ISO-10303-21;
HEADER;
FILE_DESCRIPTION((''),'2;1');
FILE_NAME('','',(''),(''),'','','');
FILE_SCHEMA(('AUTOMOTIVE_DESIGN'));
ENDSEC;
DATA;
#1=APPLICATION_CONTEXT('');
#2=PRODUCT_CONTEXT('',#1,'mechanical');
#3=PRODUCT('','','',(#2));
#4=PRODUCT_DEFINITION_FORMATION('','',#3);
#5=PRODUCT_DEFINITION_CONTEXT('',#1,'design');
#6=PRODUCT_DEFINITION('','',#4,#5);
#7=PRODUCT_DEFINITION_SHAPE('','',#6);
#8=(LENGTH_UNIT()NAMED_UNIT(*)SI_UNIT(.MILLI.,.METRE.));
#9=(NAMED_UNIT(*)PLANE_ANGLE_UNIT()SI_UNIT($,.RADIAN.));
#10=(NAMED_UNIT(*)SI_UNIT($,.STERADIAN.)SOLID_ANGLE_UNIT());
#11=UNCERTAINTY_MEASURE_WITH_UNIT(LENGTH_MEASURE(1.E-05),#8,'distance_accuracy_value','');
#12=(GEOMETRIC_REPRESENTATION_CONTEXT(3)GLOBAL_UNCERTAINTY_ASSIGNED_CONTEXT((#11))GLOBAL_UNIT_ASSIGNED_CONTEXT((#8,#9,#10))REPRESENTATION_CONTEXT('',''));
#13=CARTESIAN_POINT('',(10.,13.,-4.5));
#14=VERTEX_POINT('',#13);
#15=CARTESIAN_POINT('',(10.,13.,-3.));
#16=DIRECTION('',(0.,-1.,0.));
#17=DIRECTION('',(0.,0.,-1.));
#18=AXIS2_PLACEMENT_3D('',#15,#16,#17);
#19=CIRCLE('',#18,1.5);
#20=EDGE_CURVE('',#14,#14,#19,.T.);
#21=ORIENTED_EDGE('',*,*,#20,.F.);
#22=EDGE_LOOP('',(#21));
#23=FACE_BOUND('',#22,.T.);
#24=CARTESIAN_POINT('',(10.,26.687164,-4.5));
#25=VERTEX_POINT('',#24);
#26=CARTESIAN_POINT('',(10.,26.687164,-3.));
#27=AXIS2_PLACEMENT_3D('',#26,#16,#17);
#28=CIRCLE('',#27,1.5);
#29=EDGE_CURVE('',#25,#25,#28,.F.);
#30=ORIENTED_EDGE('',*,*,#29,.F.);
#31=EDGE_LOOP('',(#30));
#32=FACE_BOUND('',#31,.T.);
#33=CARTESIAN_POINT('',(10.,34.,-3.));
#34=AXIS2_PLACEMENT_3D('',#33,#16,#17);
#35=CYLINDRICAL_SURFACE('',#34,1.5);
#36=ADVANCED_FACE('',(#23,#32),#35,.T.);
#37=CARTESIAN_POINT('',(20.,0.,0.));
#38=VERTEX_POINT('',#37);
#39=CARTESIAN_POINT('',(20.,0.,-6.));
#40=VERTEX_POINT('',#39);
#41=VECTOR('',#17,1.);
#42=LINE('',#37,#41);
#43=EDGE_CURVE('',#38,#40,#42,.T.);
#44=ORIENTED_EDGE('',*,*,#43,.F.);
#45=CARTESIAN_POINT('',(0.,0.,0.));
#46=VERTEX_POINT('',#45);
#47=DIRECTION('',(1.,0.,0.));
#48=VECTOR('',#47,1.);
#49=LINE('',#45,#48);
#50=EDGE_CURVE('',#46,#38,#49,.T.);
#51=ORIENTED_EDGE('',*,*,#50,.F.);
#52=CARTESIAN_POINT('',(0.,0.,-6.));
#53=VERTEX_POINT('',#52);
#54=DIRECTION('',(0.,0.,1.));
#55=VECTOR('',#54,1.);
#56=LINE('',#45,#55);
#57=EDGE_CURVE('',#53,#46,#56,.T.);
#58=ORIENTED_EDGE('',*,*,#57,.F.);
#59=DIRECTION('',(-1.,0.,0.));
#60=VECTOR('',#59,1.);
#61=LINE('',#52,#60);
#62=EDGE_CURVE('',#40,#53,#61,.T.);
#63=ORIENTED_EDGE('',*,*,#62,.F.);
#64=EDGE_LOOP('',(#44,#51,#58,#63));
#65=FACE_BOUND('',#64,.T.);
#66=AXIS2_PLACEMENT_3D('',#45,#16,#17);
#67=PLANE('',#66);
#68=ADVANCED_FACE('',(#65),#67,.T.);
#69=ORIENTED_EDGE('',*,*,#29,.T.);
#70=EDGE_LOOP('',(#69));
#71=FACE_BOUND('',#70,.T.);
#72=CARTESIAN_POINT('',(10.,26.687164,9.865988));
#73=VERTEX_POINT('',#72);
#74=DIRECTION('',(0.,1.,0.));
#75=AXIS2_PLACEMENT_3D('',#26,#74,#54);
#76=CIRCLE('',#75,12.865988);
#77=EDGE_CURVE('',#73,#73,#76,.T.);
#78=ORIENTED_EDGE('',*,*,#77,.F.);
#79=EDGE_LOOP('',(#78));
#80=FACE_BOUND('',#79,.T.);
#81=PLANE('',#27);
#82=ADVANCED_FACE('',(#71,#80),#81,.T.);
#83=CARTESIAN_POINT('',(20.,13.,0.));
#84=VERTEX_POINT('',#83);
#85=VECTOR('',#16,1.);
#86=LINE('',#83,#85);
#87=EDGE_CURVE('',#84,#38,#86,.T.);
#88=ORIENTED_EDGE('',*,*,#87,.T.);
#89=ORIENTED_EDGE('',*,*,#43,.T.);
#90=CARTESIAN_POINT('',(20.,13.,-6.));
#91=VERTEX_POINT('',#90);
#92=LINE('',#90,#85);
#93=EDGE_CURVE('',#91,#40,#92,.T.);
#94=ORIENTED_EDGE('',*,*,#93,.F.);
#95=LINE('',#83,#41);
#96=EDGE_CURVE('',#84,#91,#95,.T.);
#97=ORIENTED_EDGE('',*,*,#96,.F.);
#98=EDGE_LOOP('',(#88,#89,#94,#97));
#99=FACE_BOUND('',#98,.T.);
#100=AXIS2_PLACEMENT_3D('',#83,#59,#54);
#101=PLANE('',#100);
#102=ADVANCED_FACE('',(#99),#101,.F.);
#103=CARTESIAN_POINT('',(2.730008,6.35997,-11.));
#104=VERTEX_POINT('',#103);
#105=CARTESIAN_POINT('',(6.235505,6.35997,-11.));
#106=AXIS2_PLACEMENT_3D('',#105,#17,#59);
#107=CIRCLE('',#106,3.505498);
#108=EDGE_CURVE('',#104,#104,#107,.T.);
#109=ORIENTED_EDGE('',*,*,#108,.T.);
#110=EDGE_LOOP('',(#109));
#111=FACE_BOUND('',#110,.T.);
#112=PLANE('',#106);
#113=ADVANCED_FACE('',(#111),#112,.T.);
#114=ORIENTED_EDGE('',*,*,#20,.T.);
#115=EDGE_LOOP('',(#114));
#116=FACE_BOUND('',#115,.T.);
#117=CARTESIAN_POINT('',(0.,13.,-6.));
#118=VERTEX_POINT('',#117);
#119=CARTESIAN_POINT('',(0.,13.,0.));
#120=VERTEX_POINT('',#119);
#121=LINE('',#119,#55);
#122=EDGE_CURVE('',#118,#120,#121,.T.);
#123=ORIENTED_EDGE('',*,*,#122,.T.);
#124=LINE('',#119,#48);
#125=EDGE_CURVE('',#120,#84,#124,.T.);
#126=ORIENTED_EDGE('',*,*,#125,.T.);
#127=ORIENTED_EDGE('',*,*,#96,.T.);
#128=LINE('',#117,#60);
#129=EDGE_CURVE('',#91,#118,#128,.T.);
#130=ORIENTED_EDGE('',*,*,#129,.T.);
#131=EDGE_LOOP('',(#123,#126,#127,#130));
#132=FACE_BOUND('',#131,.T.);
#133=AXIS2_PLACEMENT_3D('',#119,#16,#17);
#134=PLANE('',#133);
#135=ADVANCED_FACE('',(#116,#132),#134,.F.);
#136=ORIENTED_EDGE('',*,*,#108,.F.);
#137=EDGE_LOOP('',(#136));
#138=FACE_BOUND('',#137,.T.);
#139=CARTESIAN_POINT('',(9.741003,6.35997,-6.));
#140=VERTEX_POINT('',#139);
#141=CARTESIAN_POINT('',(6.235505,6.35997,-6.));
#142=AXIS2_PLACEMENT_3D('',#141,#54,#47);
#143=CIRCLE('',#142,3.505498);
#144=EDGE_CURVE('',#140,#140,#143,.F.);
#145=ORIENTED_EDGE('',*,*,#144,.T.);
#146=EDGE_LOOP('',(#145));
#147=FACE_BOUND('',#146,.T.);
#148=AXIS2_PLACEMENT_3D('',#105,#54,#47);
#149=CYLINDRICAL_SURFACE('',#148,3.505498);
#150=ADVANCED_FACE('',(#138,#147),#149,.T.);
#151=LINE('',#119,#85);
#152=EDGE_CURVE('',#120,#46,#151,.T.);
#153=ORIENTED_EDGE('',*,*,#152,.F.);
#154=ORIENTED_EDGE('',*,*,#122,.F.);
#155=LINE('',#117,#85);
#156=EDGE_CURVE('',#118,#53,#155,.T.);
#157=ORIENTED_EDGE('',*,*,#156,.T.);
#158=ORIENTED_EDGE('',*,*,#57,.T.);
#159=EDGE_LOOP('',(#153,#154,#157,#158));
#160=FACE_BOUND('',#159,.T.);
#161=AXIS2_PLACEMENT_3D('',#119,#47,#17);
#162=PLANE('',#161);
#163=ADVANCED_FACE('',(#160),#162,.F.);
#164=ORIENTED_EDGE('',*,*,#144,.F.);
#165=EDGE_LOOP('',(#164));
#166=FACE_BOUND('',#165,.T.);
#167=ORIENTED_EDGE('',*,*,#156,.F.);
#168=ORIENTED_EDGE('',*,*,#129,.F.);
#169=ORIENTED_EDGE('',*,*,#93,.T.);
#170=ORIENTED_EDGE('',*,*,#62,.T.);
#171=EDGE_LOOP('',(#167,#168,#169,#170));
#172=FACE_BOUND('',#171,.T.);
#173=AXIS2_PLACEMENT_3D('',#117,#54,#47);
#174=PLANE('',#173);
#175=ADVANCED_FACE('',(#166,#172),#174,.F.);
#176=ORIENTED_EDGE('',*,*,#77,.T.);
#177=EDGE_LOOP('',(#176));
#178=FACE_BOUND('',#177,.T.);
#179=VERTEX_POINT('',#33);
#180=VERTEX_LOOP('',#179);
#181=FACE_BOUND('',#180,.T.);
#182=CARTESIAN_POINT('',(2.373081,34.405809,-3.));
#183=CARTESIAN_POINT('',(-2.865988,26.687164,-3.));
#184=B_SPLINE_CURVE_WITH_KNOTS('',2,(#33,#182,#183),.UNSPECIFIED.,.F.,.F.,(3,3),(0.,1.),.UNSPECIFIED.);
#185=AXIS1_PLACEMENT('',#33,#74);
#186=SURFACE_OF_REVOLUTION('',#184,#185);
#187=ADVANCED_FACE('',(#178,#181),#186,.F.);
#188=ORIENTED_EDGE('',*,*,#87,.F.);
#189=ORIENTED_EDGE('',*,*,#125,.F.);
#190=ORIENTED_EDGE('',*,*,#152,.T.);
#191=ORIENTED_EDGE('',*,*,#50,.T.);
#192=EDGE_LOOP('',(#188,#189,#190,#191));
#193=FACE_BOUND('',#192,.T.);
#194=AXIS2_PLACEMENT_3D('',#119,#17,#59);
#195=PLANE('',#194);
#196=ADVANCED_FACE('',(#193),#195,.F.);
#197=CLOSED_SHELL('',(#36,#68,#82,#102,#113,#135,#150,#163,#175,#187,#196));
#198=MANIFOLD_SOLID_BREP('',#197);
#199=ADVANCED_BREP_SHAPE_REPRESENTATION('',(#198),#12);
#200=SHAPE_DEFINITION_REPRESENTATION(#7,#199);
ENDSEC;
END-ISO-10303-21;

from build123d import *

# Parameters (mm, degrees)
SKETCH1_W           = 20
SKETCH1_H           = 6
BOSS_EXTRUDE1_DEPTH = 13
SKETCH2_R           = 1.5
BOSS_EXTRUDE3_DEPTH = 34
SKETCH6_R           = 3.50549755
BOSS_EXTRUDE4_DEPTH = 5


with BuildPart() as part:
    # Sketch1 → Boss-Extrude1 (new body)
    with BuildSketch(Plane(origin=(0, 0, 0), x_dir=(1, 0, 0), z_dir=(0, 1, 0))):
        with Locations((10, 3)):
            Rectangle(SKETCH1_W, SKETCH1_H)
    extrude(amount=BOSS_EXTRUDE1_DEPTH)

    # Sketch2 → Boss-Extrude3 (add)
    with BuildSketch(Plane.XZ):
        with Locations(Location((10, -3, 0), (0, 0, 270))):
            Circle(SKETCH2_R)
    extrude(amount=-BOSS_EXTRUDE3_DEPTH)

    # Sketch5 → Revolve1 (revolve)
    with BuildSketch(Plane.XY.offset(-3), mode=Mode.PRIVATE) as revolve1_sk:
        with BuildLine():
            Line((10, 34), (10, 26.687164187))
            Line((10, 26.687164187), (-2.865987709, 26.687164187))
            add(Edge.make_bspline(
                [(10, 34), (2.373080753, 34.40580884), (-2.865987709, 26.687164187)],
                knots=[0, 0, 0, 1, 1, 1], degree=2))
        make_face()
    revolve(revolve1_sk.sketch.rotate(Axis((10, 34, -3), (0, -1, 0)), 90), axis=Axis((10, 34, -3), (0, -1, 0)))

    # Sketch6 → Boss-Extrude4 (add)
    with BuildSketch(Plane(origin=(0, 0, -6), x_dir=(-1, 0, 0), z_dir=(0, 0, -1))):
        with Locations(Location((-6.235505229, 6.359969697, 0), (0, 0, 180))):
            Circle(SKETCH6_R)
    extrude(amount=BOSS_EXTRUDE4_DEPTH)


solid = part.part
